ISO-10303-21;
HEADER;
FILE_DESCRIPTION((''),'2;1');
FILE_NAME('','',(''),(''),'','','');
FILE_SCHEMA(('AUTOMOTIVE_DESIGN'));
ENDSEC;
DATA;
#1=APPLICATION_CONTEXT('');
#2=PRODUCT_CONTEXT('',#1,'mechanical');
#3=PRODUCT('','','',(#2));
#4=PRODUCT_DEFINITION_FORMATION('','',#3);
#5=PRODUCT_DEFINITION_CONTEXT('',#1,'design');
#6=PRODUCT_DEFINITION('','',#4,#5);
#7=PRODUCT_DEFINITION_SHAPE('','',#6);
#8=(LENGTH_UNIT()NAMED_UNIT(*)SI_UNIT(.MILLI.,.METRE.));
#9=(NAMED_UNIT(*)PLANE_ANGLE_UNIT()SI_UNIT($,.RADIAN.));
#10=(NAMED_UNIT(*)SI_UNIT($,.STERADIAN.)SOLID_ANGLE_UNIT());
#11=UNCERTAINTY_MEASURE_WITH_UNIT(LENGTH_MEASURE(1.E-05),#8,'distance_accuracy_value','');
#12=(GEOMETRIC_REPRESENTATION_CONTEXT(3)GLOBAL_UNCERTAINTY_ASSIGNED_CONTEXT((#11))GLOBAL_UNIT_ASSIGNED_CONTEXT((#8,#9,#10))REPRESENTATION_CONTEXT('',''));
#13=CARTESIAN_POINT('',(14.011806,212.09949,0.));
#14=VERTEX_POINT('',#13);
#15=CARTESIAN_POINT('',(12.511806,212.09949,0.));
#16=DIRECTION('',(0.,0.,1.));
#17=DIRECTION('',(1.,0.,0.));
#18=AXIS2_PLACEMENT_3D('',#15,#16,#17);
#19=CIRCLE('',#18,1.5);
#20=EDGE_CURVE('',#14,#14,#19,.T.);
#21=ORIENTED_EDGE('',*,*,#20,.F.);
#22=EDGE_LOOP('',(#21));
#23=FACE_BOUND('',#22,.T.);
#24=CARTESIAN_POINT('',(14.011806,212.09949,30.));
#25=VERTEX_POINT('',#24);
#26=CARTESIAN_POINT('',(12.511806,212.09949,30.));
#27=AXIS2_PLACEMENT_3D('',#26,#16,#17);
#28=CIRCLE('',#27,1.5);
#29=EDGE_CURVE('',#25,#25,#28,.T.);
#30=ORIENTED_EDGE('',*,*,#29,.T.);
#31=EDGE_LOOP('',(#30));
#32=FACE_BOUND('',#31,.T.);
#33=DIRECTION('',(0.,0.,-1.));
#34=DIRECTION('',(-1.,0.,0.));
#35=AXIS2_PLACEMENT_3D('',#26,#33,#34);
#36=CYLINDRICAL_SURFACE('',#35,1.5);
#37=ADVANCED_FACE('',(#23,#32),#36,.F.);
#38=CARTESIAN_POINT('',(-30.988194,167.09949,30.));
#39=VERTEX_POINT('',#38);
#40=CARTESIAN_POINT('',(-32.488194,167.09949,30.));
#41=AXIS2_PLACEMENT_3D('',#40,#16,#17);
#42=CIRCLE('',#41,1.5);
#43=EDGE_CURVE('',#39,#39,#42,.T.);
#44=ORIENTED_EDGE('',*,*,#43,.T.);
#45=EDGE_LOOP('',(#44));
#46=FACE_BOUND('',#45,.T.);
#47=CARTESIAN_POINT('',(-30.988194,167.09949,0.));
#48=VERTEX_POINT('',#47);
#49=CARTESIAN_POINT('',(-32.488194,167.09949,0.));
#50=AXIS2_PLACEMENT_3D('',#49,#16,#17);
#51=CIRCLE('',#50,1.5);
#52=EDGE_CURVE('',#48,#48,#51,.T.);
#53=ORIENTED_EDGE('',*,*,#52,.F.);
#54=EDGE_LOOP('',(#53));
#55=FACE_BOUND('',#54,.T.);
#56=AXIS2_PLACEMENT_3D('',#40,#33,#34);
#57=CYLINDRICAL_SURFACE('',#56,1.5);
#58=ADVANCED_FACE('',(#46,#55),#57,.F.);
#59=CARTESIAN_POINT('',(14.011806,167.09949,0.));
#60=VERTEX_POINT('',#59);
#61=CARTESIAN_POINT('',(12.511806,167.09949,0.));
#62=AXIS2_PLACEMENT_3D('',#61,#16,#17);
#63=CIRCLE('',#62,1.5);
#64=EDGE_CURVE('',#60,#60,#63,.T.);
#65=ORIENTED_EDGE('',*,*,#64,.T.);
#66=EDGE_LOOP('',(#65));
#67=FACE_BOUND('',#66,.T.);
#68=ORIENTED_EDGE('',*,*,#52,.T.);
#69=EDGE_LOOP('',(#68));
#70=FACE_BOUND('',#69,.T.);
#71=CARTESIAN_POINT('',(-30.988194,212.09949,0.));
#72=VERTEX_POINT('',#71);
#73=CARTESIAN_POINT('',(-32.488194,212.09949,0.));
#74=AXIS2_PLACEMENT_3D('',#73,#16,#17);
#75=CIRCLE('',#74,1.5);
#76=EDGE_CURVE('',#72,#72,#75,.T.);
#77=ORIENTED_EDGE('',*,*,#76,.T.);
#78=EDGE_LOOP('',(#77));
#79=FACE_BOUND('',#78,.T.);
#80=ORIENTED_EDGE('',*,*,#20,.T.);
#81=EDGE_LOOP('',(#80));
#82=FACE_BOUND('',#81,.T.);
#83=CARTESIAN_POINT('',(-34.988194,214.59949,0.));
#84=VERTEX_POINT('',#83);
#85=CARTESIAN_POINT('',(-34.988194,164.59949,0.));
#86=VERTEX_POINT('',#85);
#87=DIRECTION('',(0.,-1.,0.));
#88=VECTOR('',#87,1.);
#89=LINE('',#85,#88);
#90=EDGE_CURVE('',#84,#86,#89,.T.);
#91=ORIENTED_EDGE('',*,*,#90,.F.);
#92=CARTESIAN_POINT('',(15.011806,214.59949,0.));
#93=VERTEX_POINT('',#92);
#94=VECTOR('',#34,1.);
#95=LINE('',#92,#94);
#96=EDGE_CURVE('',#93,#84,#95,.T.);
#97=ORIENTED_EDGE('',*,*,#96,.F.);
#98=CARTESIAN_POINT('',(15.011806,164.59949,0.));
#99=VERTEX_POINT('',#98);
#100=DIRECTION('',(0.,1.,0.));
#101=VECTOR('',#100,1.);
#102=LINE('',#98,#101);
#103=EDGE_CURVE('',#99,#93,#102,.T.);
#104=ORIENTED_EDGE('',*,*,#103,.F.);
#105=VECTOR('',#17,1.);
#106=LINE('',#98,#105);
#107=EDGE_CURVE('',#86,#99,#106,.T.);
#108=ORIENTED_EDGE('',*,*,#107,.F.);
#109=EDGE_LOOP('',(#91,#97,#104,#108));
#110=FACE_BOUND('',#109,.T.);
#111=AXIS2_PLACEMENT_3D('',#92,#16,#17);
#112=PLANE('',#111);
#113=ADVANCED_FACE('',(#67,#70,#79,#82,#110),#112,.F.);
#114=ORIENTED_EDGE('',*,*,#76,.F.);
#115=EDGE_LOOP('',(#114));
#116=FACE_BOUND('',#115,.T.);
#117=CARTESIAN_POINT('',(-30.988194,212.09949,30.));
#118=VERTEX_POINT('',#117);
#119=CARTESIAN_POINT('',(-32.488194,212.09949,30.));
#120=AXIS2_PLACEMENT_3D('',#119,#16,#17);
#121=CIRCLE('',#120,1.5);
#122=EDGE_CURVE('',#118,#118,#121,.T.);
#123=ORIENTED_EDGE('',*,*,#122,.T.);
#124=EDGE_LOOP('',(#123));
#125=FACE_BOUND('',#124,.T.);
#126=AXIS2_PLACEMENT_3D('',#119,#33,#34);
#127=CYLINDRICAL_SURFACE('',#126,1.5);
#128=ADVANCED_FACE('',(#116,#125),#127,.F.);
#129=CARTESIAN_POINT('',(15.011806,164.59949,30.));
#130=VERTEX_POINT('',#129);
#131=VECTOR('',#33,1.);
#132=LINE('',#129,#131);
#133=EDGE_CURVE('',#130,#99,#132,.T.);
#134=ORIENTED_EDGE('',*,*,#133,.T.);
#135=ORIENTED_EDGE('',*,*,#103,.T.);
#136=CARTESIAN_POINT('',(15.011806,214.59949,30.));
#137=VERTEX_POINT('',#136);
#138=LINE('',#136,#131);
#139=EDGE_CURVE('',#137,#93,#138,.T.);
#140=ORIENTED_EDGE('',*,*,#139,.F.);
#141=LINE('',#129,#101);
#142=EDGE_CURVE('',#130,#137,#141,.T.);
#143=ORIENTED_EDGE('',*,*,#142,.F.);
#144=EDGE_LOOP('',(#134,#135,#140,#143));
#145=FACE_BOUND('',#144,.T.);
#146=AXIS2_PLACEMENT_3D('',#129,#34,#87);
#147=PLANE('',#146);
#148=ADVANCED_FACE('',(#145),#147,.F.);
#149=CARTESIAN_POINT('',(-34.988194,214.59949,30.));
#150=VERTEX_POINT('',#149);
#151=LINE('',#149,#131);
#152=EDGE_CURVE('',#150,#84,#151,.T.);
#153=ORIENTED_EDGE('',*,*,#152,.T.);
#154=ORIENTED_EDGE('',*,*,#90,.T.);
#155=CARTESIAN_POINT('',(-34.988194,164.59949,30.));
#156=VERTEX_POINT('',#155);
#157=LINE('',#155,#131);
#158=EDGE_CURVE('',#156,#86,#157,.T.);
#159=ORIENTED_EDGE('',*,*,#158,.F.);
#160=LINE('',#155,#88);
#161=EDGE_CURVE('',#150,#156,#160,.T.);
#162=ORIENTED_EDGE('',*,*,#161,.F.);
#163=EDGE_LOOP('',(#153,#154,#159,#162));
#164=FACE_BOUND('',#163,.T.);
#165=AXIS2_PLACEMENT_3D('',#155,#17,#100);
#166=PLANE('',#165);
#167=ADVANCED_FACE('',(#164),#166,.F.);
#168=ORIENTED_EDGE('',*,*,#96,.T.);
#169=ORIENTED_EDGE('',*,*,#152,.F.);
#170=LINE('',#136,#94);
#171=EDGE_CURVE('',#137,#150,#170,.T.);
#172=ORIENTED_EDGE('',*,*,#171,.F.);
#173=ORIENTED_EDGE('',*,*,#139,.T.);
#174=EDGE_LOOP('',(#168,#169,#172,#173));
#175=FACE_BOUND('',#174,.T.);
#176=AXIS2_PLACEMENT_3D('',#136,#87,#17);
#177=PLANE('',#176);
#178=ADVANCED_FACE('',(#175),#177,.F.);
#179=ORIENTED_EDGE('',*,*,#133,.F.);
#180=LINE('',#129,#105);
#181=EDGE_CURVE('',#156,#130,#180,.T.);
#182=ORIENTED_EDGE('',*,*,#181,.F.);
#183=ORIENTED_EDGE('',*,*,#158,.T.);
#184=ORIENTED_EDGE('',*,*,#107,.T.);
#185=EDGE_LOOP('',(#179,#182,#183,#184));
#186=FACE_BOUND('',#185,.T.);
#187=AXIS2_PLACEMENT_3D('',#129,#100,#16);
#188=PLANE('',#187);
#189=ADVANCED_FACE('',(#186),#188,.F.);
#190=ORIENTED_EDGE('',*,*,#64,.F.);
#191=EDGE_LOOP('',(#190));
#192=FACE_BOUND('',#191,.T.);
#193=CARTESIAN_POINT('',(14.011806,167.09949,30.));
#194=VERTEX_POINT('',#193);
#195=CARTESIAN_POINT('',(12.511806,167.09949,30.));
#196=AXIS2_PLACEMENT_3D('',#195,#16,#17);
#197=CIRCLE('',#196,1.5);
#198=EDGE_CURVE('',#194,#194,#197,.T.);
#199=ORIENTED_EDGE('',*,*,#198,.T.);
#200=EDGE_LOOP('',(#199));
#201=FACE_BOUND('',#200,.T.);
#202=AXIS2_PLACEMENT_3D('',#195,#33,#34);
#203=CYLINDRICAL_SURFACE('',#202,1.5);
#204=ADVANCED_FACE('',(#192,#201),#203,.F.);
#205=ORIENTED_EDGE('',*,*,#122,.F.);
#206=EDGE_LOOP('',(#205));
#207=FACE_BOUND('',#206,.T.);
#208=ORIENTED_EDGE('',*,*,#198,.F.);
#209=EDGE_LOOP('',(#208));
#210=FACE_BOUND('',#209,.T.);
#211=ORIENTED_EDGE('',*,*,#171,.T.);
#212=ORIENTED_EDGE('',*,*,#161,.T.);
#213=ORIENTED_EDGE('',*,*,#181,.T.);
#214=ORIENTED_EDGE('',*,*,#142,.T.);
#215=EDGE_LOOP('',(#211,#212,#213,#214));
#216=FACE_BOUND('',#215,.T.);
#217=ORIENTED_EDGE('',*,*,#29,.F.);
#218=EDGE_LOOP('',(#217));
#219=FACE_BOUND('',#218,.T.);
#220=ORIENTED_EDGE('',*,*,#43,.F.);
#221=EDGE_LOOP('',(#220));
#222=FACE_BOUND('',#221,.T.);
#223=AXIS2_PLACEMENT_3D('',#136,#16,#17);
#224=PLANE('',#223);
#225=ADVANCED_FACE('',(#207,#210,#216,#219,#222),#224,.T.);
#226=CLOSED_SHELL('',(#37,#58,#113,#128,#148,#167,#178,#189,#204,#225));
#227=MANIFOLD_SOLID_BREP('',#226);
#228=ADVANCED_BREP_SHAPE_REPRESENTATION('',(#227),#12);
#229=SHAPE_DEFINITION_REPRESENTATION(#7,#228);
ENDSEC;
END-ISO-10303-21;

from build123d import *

# Parameters (mm, degrees)
ESQUISSE1_W        = 50
ESQUISSE1_H        = 50
ESQUISSE1_R        = 1.5
BOSS_EXTRU_1_DEPTH = 30


with BuildPart() as part:
    # Esquisse1 → Boss.-Extru.1 (new body)
    with BuildSketch(Plane.XY):
        with Locations((-9.988193646, 189.599490363)):
            Rectangle(ESQUISSE1_W, ESQUISSE1_H)
        with Locations((12.511806354, 167.099490363)):
            Circle(ESQUISSE1_R, mode=Mode.SUBTRACT)
        with Locations((-32.488193646, 167.099490363)):
            Circle(ESQUISSE1_R, mode=Mode.SUBTRACT)
        with Locations((12.511806354, 212.099490363)):
            Circle(ESQUISSE1_R, mode=Mode.SUBTRACT)
        with Locations((-32.488193646, 212.099490363)):
            Circle(ESQUISSE1_R, mode=Mode.SUBTRACT)
    extrude(amount=BOSS_EXTRU_1_DEPTH)


solid = part.part
